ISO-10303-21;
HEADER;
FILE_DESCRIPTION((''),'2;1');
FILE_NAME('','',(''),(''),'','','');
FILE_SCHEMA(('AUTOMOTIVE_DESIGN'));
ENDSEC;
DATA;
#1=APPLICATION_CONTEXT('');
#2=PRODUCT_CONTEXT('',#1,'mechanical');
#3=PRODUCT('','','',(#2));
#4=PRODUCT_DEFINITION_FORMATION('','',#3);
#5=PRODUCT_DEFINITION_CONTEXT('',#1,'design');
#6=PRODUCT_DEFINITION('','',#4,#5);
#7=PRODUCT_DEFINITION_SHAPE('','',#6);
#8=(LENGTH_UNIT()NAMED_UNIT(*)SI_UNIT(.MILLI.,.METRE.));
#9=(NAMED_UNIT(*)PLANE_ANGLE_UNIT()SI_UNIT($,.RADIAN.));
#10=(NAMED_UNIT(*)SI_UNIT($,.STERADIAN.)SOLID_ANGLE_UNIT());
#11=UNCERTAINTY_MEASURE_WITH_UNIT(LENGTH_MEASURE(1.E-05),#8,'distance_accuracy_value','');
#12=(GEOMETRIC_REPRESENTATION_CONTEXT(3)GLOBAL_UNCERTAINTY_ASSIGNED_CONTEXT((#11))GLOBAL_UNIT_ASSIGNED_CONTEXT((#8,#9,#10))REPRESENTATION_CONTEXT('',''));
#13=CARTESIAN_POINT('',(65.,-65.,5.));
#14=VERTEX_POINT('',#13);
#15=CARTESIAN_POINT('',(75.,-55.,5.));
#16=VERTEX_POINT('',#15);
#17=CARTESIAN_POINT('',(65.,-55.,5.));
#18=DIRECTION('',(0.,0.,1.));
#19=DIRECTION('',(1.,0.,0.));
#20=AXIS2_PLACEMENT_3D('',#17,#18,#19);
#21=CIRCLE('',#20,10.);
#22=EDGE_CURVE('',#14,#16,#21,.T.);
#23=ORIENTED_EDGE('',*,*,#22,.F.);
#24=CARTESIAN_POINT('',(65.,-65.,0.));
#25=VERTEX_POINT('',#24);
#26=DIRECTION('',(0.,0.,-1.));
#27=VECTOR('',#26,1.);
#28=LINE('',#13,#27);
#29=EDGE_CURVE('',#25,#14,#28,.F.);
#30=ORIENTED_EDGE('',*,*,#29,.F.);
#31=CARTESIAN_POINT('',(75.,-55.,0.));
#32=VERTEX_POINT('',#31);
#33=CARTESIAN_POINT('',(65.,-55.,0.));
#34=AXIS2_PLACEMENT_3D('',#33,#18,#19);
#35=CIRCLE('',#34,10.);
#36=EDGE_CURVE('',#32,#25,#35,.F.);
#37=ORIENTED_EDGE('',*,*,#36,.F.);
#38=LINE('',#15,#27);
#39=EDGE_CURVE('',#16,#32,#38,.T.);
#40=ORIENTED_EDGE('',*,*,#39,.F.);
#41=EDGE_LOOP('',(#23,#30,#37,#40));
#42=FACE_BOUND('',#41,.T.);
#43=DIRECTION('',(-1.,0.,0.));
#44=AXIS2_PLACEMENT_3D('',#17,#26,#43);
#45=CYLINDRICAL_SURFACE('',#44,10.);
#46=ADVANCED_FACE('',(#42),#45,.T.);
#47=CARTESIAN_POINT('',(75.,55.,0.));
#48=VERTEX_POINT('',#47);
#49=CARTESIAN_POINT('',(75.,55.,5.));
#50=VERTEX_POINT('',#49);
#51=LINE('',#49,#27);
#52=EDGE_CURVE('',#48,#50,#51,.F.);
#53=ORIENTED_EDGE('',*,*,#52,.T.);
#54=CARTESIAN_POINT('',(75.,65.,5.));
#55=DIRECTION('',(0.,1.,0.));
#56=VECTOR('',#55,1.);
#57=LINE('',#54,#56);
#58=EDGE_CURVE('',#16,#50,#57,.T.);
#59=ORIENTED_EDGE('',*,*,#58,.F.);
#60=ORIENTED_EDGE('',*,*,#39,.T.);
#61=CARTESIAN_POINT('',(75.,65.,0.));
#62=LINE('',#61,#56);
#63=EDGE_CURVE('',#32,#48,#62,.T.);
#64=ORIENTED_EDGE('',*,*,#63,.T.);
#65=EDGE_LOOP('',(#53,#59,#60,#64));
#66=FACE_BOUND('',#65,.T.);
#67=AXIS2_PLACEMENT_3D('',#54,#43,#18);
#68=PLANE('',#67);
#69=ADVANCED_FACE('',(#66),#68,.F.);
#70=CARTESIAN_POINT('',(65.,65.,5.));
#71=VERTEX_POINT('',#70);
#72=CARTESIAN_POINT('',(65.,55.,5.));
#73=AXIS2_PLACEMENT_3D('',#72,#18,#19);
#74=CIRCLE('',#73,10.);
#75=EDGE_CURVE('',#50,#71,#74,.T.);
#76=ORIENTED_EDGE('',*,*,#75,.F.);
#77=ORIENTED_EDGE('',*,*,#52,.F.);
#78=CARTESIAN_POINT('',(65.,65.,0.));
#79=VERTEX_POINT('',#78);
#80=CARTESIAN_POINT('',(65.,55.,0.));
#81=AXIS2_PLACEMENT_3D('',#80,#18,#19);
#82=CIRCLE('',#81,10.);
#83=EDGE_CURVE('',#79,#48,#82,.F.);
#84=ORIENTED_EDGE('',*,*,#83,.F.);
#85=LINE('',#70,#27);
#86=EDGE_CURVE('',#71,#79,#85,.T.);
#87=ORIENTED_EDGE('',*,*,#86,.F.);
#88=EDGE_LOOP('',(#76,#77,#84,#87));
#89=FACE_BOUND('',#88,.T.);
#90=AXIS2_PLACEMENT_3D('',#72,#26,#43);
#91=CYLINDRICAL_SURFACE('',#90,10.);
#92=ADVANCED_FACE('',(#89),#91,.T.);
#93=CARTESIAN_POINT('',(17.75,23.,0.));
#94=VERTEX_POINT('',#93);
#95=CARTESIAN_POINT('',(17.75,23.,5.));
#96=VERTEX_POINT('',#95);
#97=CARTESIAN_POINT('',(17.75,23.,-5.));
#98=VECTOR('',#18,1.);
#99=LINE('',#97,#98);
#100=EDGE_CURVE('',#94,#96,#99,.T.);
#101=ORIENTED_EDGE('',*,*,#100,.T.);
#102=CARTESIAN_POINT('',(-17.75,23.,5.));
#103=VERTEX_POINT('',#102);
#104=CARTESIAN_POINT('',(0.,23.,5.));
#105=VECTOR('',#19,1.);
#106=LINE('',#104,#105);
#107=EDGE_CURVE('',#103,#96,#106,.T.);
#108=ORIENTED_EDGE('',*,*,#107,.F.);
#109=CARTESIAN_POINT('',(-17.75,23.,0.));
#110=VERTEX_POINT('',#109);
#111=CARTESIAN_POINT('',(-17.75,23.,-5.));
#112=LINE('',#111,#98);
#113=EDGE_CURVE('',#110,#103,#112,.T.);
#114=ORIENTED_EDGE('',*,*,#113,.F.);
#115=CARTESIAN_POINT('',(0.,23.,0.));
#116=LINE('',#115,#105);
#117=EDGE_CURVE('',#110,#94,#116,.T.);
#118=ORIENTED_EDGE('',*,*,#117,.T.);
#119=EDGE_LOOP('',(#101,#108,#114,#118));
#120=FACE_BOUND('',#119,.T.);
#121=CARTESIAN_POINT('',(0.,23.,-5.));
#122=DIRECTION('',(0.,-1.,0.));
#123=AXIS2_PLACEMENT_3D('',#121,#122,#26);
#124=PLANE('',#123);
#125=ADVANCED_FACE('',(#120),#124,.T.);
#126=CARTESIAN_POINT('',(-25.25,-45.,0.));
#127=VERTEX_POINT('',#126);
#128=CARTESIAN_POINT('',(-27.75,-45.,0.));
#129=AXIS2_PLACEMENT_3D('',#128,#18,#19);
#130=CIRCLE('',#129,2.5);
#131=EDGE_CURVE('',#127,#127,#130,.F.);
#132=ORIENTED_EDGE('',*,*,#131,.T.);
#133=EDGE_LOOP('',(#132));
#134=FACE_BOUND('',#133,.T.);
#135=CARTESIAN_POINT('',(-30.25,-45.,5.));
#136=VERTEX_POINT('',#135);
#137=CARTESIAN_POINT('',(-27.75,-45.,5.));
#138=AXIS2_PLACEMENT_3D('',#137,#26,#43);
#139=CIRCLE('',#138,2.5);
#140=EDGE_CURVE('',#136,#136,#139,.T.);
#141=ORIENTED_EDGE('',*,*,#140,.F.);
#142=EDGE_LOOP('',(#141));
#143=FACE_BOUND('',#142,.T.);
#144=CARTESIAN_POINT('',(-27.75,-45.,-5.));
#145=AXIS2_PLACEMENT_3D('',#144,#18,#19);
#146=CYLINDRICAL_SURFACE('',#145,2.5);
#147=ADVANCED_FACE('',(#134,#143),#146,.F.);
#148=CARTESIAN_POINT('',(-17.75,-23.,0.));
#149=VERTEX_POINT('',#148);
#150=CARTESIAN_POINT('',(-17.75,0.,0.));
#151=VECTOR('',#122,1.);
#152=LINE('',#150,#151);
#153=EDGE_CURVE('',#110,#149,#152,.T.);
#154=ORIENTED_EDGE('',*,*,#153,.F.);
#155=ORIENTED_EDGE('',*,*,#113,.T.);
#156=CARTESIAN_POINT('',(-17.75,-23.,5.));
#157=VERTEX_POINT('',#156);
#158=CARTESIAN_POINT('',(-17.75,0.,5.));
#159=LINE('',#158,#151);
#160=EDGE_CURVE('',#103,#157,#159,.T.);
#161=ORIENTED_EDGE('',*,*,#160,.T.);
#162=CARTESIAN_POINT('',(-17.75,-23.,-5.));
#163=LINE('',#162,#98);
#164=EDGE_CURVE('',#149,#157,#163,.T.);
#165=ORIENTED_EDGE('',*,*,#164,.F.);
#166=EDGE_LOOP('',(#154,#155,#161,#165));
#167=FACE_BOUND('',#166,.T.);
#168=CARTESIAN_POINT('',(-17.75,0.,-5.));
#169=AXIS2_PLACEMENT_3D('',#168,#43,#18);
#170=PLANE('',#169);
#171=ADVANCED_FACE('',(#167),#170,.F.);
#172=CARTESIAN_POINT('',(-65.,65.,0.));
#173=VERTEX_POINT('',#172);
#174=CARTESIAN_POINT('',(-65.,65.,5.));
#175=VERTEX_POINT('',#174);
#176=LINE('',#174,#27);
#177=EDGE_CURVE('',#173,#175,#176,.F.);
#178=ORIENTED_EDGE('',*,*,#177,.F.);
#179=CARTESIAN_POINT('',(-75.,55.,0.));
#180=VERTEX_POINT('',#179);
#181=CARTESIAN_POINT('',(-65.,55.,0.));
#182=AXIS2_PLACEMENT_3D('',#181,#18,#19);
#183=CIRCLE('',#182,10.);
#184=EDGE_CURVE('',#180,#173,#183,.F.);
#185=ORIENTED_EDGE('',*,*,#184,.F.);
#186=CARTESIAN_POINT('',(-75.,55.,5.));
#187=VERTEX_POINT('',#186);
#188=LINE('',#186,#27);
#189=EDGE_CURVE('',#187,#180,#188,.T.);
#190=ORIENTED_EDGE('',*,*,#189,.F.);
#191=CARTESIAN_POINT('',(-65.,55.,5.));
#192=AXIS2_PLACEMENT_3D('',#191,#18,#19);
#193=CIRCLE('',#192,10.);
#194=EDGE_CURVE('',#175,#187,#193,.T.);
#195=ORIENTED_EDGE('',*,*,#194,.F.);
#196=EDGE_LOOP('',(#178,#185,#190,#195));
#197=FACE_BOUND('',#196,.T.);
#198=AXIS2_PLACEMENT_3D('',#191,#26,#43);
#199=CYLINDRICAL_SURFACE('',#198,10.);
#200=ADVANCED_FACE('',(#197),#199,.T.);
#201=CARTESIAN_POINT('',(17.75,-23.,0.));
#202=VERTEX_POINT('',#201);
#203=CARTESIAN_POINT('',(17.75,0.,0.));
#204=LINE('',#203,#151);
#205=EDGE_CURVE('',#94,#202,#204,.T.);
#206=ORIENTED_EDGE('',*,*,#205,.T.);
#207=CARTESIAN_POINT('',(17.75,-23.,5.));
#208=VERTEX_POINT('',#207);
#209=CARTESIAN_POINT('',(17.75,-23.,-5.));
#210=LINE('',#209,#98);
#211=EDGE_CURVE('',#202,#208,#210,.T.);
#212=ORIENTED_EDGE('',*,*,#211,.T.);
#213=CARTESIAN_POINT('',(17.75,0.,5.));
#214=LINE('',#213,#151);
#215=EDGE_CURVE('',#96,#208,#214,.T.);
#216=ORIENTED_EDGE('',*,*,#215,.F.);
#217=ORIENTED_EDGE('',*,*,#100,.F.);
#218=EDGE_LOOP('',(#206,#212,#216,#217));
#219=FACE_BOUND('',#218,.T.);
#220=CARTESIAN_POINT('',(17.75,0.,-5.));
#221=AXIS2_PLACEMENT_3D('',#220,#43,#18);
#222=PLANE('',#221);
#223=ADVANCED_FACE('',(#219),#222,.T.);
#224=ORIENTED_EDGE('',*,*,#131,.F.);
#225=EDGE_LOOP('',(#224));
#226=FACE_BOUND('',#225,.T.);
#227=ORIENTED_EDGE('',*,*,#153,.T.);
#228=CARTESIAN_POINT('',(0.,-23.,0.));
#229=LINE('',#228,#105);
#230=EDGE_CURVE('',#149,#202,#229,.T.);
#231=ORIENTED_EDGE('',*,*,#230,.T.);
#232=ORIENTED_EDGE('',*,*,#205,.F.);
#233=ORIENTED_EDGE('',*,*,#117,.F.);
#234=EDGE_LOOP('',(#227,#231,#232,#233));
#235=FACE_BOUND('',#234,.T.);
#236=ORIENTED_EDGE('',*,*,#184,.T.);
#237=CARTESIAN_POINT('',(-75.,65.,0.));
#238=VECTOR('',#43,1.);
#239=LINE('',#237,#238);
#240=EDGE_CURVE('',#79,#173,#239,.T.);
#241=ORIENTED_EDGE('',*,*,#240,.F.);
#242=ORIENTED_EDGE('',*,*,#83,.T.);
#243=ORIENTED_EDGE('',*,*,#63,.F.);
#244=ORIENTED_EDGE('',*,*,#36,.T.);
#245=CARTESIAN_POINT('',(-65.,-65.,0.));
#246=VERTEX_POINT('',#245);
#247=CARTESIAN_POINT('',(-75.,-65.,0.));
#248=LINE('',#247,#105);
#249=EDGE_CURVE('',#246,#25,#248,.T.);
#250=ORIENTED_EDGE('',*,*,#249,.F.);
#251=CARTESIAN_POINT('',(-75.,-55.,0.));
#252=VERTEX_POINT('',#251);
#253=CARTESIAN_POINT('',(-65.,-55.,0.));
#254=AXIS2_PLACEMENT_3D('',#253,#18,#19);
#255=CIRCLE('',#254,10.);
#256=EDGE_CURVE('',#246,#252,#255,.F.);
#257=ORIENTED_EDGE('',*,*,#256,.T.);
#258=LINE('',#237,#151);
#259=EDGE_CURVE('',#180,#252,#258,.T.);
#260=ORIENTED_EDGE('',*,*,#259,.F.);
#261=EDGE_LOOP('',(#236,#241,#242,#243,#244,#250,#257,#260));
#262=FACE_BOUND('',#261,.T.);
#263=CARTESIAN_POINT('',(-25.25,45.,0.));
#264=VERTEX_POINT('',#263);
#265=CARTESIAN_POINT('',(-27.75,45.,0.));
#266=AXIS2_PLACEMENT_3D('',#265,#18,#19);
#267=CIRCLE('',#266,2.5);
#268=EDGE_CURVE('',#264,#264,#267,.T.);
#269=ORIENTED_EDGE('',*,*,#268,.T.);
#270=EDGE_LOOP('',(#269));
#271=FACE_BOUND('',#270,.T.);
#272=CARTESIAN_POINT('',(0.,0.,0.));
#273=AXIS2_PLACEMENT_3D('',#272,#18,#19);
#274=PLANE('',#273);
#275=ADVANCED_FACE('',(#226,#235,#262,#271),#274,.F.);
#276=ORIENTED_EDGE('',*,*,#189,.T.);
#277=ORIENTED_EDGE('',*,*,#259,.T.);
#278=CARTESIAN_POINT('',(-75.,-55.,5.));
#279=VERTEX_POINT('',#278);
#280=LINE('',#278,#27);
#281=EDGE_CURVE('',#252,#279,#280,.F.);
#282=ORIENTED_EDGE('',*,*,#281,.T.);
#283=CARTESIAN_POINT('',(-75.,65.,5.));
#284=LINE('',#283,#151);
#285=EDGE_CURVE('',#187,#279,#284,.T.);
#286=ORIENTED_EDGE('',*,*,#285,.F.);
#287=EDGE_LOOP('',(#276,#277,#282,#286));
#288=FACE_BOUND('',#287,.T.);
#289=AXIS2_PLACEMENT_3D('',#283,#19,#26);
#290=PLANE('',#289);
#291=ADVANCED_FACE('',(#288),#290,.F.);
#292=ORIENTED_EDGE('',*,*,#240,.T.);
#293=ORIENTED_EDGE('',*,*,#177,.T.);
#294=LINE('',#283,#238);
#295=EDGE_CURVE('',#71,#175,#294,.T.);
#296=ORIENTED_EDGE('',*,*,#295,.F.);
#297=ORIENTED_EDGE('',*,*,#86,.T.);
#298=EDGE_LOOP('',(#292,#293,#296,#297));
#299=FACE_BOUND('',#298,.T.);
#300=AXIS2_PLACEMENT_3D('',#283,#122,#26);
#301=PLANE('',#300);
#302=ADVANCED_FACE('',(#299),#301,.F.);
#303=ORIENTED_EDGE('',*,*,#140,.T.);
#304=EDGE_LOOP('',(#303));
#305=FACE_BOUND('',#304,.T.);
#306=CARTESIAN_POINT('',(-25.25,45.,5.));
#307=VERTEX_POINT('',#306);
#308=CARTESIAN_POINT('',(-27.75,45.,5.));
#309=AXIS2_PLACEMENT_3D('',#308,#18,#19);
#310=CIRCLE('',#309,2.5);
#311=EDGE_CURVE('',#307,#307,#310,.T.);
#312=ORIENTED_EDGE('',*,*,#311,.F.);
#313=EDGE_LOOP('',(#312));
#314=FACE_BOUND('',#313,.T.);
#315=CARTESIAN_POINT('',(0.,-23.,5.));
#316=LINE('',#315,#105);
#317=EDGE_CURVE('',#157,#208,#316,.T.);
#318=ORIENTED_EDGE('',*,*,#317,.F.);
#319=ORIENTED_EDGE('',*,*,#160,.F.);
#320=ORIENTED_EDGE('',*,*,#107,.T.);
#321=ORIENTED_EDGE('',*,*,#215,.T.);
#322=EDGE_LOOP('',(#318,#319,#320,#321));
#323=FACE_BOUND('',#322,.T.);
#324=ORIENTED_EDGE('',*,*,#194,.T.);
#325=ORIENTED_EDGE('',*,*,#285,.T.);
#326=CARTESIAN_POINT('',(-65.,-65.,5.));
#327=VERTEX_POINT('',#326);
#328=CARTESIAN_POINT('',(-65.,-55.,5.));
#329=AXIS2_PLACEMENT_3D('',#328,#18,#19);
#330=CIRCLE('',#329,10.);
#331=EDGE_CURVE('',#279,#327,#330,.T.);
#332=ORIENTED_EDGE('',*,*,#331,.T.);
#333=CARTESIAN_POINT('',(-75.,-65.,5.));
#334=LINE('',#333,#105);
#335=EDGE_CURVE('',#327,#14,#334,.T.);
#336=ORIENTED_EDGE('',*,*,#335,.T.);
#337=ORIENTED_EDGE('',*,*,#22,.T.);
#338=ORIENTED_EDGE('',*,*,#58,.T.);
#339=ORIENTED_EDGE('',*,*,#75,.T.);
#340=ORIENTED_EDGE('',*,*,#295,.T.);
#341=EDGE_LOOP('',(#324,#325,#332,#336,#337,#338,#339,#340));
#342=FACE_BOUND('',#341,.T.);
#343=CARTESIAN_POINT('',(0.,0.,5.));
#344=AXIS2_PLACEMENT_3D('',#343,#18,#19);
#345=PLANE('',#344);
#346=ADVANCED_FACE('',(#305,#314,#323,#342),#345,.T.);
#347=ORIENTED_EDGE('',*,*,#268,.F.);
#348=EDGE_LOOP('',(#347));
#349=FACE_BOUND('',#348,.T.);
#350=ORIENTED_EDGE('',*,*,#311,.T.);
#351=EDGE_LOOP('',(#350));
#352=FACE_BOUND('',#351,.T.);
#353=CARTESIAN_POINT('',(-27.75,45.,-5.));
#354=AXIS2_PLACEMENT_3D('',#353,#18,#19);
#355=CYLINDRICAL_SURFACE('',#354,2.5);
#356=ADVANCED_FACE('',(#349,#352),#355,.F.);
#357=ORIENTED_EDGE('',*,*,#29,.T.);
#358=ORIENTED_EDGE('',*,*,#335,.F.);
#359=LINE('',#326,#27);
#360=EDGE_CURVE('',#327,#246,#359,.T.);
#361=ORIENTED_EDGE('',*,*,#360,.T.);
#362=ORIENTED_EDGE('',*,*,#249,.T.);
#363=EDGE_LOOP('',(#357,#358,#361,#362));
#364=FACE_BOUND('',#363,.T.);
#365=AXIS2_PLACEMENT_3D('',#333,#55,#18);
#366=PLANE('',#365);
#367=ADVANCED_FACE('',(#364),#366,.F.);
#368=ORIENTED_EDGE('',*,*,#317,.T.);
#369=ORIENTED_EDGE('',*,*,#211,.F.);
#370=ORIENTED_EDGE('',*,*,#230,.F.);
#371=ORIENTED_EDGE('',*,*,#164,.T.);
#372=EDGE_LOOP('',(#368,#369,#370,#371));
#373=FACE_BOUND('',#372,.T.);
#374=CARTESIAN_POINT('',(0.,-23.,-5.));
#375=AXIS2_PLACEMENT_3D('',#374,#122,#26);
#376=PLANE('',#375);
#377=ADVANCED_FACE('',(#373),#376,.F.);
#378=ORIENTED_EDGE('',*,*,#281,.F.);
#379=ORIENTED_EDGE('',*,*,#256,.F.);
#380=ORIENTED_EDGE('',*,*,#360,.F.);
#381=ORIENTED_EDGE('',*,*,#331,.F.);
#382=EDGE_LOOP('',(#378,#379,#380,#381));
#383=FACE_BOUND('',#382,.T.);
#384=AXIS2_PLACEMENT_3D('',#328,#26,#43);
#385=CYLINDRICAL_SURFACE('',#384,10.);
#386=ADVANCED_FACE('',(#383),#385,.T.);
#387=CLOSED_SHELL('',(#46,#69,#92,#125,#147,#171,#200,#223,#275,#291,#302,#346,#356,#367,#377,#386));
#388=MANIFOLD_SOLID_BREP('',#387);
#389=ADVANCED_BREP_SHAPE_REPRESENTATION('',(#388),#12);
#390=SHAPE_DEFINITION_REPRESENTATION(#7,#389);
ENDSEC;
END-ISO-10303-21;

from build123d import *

# Parameters (mm, degrees)
SKETCH_3_W          = 150
SKETCH_3_H          = 130
EXTRUDE_1_DEPTH     = 5
SKETCH_4_W          = 35.5
SKETCH_4_H          = 46
SKETCH_4_R          = 2.5
CUT_EXTRUDE_1_DEPTH = 10
FILLET_1_R          = 10


with BuildPart() as part:
    # 草图3 → 凸台-拉伸1 (new body)
    with BuildSketch(Plane.XY):
        Rectangle(SKETCH_3_W, SKETCH_3_H)
    extrude(amount=EXTRUDE_1_DEPTH)

    # 草图4 → 切除-拉伸1 (cut)
    with BuildSketch(Plane.XY.offset(5)):
        Rectangle(SKETCH_4_W, SKETCH_4_H)
        with Locations((-27.75, -45)):
            Circle(SKETCH_4_R)
        with Locations((-27.75, 45)):
            Circle(SKETCH_4_R)
    extrude(amount=-CUT_EXTRUDE_1_DEPTH, mode=Mode.SUBTRACT)

    # 圆角1
    fillet_1_edges = [part.edges().sort_by_distance(p)[0] for p in [
        (75, -65, 2.5),
        (-75, -65, 2.5),
        (-75, 65, 2.5),
        (75, 65, 2.5),
    ]]
    fillet(fillet_1_edges, radius=FILLET_1_R)


solid = part.part
